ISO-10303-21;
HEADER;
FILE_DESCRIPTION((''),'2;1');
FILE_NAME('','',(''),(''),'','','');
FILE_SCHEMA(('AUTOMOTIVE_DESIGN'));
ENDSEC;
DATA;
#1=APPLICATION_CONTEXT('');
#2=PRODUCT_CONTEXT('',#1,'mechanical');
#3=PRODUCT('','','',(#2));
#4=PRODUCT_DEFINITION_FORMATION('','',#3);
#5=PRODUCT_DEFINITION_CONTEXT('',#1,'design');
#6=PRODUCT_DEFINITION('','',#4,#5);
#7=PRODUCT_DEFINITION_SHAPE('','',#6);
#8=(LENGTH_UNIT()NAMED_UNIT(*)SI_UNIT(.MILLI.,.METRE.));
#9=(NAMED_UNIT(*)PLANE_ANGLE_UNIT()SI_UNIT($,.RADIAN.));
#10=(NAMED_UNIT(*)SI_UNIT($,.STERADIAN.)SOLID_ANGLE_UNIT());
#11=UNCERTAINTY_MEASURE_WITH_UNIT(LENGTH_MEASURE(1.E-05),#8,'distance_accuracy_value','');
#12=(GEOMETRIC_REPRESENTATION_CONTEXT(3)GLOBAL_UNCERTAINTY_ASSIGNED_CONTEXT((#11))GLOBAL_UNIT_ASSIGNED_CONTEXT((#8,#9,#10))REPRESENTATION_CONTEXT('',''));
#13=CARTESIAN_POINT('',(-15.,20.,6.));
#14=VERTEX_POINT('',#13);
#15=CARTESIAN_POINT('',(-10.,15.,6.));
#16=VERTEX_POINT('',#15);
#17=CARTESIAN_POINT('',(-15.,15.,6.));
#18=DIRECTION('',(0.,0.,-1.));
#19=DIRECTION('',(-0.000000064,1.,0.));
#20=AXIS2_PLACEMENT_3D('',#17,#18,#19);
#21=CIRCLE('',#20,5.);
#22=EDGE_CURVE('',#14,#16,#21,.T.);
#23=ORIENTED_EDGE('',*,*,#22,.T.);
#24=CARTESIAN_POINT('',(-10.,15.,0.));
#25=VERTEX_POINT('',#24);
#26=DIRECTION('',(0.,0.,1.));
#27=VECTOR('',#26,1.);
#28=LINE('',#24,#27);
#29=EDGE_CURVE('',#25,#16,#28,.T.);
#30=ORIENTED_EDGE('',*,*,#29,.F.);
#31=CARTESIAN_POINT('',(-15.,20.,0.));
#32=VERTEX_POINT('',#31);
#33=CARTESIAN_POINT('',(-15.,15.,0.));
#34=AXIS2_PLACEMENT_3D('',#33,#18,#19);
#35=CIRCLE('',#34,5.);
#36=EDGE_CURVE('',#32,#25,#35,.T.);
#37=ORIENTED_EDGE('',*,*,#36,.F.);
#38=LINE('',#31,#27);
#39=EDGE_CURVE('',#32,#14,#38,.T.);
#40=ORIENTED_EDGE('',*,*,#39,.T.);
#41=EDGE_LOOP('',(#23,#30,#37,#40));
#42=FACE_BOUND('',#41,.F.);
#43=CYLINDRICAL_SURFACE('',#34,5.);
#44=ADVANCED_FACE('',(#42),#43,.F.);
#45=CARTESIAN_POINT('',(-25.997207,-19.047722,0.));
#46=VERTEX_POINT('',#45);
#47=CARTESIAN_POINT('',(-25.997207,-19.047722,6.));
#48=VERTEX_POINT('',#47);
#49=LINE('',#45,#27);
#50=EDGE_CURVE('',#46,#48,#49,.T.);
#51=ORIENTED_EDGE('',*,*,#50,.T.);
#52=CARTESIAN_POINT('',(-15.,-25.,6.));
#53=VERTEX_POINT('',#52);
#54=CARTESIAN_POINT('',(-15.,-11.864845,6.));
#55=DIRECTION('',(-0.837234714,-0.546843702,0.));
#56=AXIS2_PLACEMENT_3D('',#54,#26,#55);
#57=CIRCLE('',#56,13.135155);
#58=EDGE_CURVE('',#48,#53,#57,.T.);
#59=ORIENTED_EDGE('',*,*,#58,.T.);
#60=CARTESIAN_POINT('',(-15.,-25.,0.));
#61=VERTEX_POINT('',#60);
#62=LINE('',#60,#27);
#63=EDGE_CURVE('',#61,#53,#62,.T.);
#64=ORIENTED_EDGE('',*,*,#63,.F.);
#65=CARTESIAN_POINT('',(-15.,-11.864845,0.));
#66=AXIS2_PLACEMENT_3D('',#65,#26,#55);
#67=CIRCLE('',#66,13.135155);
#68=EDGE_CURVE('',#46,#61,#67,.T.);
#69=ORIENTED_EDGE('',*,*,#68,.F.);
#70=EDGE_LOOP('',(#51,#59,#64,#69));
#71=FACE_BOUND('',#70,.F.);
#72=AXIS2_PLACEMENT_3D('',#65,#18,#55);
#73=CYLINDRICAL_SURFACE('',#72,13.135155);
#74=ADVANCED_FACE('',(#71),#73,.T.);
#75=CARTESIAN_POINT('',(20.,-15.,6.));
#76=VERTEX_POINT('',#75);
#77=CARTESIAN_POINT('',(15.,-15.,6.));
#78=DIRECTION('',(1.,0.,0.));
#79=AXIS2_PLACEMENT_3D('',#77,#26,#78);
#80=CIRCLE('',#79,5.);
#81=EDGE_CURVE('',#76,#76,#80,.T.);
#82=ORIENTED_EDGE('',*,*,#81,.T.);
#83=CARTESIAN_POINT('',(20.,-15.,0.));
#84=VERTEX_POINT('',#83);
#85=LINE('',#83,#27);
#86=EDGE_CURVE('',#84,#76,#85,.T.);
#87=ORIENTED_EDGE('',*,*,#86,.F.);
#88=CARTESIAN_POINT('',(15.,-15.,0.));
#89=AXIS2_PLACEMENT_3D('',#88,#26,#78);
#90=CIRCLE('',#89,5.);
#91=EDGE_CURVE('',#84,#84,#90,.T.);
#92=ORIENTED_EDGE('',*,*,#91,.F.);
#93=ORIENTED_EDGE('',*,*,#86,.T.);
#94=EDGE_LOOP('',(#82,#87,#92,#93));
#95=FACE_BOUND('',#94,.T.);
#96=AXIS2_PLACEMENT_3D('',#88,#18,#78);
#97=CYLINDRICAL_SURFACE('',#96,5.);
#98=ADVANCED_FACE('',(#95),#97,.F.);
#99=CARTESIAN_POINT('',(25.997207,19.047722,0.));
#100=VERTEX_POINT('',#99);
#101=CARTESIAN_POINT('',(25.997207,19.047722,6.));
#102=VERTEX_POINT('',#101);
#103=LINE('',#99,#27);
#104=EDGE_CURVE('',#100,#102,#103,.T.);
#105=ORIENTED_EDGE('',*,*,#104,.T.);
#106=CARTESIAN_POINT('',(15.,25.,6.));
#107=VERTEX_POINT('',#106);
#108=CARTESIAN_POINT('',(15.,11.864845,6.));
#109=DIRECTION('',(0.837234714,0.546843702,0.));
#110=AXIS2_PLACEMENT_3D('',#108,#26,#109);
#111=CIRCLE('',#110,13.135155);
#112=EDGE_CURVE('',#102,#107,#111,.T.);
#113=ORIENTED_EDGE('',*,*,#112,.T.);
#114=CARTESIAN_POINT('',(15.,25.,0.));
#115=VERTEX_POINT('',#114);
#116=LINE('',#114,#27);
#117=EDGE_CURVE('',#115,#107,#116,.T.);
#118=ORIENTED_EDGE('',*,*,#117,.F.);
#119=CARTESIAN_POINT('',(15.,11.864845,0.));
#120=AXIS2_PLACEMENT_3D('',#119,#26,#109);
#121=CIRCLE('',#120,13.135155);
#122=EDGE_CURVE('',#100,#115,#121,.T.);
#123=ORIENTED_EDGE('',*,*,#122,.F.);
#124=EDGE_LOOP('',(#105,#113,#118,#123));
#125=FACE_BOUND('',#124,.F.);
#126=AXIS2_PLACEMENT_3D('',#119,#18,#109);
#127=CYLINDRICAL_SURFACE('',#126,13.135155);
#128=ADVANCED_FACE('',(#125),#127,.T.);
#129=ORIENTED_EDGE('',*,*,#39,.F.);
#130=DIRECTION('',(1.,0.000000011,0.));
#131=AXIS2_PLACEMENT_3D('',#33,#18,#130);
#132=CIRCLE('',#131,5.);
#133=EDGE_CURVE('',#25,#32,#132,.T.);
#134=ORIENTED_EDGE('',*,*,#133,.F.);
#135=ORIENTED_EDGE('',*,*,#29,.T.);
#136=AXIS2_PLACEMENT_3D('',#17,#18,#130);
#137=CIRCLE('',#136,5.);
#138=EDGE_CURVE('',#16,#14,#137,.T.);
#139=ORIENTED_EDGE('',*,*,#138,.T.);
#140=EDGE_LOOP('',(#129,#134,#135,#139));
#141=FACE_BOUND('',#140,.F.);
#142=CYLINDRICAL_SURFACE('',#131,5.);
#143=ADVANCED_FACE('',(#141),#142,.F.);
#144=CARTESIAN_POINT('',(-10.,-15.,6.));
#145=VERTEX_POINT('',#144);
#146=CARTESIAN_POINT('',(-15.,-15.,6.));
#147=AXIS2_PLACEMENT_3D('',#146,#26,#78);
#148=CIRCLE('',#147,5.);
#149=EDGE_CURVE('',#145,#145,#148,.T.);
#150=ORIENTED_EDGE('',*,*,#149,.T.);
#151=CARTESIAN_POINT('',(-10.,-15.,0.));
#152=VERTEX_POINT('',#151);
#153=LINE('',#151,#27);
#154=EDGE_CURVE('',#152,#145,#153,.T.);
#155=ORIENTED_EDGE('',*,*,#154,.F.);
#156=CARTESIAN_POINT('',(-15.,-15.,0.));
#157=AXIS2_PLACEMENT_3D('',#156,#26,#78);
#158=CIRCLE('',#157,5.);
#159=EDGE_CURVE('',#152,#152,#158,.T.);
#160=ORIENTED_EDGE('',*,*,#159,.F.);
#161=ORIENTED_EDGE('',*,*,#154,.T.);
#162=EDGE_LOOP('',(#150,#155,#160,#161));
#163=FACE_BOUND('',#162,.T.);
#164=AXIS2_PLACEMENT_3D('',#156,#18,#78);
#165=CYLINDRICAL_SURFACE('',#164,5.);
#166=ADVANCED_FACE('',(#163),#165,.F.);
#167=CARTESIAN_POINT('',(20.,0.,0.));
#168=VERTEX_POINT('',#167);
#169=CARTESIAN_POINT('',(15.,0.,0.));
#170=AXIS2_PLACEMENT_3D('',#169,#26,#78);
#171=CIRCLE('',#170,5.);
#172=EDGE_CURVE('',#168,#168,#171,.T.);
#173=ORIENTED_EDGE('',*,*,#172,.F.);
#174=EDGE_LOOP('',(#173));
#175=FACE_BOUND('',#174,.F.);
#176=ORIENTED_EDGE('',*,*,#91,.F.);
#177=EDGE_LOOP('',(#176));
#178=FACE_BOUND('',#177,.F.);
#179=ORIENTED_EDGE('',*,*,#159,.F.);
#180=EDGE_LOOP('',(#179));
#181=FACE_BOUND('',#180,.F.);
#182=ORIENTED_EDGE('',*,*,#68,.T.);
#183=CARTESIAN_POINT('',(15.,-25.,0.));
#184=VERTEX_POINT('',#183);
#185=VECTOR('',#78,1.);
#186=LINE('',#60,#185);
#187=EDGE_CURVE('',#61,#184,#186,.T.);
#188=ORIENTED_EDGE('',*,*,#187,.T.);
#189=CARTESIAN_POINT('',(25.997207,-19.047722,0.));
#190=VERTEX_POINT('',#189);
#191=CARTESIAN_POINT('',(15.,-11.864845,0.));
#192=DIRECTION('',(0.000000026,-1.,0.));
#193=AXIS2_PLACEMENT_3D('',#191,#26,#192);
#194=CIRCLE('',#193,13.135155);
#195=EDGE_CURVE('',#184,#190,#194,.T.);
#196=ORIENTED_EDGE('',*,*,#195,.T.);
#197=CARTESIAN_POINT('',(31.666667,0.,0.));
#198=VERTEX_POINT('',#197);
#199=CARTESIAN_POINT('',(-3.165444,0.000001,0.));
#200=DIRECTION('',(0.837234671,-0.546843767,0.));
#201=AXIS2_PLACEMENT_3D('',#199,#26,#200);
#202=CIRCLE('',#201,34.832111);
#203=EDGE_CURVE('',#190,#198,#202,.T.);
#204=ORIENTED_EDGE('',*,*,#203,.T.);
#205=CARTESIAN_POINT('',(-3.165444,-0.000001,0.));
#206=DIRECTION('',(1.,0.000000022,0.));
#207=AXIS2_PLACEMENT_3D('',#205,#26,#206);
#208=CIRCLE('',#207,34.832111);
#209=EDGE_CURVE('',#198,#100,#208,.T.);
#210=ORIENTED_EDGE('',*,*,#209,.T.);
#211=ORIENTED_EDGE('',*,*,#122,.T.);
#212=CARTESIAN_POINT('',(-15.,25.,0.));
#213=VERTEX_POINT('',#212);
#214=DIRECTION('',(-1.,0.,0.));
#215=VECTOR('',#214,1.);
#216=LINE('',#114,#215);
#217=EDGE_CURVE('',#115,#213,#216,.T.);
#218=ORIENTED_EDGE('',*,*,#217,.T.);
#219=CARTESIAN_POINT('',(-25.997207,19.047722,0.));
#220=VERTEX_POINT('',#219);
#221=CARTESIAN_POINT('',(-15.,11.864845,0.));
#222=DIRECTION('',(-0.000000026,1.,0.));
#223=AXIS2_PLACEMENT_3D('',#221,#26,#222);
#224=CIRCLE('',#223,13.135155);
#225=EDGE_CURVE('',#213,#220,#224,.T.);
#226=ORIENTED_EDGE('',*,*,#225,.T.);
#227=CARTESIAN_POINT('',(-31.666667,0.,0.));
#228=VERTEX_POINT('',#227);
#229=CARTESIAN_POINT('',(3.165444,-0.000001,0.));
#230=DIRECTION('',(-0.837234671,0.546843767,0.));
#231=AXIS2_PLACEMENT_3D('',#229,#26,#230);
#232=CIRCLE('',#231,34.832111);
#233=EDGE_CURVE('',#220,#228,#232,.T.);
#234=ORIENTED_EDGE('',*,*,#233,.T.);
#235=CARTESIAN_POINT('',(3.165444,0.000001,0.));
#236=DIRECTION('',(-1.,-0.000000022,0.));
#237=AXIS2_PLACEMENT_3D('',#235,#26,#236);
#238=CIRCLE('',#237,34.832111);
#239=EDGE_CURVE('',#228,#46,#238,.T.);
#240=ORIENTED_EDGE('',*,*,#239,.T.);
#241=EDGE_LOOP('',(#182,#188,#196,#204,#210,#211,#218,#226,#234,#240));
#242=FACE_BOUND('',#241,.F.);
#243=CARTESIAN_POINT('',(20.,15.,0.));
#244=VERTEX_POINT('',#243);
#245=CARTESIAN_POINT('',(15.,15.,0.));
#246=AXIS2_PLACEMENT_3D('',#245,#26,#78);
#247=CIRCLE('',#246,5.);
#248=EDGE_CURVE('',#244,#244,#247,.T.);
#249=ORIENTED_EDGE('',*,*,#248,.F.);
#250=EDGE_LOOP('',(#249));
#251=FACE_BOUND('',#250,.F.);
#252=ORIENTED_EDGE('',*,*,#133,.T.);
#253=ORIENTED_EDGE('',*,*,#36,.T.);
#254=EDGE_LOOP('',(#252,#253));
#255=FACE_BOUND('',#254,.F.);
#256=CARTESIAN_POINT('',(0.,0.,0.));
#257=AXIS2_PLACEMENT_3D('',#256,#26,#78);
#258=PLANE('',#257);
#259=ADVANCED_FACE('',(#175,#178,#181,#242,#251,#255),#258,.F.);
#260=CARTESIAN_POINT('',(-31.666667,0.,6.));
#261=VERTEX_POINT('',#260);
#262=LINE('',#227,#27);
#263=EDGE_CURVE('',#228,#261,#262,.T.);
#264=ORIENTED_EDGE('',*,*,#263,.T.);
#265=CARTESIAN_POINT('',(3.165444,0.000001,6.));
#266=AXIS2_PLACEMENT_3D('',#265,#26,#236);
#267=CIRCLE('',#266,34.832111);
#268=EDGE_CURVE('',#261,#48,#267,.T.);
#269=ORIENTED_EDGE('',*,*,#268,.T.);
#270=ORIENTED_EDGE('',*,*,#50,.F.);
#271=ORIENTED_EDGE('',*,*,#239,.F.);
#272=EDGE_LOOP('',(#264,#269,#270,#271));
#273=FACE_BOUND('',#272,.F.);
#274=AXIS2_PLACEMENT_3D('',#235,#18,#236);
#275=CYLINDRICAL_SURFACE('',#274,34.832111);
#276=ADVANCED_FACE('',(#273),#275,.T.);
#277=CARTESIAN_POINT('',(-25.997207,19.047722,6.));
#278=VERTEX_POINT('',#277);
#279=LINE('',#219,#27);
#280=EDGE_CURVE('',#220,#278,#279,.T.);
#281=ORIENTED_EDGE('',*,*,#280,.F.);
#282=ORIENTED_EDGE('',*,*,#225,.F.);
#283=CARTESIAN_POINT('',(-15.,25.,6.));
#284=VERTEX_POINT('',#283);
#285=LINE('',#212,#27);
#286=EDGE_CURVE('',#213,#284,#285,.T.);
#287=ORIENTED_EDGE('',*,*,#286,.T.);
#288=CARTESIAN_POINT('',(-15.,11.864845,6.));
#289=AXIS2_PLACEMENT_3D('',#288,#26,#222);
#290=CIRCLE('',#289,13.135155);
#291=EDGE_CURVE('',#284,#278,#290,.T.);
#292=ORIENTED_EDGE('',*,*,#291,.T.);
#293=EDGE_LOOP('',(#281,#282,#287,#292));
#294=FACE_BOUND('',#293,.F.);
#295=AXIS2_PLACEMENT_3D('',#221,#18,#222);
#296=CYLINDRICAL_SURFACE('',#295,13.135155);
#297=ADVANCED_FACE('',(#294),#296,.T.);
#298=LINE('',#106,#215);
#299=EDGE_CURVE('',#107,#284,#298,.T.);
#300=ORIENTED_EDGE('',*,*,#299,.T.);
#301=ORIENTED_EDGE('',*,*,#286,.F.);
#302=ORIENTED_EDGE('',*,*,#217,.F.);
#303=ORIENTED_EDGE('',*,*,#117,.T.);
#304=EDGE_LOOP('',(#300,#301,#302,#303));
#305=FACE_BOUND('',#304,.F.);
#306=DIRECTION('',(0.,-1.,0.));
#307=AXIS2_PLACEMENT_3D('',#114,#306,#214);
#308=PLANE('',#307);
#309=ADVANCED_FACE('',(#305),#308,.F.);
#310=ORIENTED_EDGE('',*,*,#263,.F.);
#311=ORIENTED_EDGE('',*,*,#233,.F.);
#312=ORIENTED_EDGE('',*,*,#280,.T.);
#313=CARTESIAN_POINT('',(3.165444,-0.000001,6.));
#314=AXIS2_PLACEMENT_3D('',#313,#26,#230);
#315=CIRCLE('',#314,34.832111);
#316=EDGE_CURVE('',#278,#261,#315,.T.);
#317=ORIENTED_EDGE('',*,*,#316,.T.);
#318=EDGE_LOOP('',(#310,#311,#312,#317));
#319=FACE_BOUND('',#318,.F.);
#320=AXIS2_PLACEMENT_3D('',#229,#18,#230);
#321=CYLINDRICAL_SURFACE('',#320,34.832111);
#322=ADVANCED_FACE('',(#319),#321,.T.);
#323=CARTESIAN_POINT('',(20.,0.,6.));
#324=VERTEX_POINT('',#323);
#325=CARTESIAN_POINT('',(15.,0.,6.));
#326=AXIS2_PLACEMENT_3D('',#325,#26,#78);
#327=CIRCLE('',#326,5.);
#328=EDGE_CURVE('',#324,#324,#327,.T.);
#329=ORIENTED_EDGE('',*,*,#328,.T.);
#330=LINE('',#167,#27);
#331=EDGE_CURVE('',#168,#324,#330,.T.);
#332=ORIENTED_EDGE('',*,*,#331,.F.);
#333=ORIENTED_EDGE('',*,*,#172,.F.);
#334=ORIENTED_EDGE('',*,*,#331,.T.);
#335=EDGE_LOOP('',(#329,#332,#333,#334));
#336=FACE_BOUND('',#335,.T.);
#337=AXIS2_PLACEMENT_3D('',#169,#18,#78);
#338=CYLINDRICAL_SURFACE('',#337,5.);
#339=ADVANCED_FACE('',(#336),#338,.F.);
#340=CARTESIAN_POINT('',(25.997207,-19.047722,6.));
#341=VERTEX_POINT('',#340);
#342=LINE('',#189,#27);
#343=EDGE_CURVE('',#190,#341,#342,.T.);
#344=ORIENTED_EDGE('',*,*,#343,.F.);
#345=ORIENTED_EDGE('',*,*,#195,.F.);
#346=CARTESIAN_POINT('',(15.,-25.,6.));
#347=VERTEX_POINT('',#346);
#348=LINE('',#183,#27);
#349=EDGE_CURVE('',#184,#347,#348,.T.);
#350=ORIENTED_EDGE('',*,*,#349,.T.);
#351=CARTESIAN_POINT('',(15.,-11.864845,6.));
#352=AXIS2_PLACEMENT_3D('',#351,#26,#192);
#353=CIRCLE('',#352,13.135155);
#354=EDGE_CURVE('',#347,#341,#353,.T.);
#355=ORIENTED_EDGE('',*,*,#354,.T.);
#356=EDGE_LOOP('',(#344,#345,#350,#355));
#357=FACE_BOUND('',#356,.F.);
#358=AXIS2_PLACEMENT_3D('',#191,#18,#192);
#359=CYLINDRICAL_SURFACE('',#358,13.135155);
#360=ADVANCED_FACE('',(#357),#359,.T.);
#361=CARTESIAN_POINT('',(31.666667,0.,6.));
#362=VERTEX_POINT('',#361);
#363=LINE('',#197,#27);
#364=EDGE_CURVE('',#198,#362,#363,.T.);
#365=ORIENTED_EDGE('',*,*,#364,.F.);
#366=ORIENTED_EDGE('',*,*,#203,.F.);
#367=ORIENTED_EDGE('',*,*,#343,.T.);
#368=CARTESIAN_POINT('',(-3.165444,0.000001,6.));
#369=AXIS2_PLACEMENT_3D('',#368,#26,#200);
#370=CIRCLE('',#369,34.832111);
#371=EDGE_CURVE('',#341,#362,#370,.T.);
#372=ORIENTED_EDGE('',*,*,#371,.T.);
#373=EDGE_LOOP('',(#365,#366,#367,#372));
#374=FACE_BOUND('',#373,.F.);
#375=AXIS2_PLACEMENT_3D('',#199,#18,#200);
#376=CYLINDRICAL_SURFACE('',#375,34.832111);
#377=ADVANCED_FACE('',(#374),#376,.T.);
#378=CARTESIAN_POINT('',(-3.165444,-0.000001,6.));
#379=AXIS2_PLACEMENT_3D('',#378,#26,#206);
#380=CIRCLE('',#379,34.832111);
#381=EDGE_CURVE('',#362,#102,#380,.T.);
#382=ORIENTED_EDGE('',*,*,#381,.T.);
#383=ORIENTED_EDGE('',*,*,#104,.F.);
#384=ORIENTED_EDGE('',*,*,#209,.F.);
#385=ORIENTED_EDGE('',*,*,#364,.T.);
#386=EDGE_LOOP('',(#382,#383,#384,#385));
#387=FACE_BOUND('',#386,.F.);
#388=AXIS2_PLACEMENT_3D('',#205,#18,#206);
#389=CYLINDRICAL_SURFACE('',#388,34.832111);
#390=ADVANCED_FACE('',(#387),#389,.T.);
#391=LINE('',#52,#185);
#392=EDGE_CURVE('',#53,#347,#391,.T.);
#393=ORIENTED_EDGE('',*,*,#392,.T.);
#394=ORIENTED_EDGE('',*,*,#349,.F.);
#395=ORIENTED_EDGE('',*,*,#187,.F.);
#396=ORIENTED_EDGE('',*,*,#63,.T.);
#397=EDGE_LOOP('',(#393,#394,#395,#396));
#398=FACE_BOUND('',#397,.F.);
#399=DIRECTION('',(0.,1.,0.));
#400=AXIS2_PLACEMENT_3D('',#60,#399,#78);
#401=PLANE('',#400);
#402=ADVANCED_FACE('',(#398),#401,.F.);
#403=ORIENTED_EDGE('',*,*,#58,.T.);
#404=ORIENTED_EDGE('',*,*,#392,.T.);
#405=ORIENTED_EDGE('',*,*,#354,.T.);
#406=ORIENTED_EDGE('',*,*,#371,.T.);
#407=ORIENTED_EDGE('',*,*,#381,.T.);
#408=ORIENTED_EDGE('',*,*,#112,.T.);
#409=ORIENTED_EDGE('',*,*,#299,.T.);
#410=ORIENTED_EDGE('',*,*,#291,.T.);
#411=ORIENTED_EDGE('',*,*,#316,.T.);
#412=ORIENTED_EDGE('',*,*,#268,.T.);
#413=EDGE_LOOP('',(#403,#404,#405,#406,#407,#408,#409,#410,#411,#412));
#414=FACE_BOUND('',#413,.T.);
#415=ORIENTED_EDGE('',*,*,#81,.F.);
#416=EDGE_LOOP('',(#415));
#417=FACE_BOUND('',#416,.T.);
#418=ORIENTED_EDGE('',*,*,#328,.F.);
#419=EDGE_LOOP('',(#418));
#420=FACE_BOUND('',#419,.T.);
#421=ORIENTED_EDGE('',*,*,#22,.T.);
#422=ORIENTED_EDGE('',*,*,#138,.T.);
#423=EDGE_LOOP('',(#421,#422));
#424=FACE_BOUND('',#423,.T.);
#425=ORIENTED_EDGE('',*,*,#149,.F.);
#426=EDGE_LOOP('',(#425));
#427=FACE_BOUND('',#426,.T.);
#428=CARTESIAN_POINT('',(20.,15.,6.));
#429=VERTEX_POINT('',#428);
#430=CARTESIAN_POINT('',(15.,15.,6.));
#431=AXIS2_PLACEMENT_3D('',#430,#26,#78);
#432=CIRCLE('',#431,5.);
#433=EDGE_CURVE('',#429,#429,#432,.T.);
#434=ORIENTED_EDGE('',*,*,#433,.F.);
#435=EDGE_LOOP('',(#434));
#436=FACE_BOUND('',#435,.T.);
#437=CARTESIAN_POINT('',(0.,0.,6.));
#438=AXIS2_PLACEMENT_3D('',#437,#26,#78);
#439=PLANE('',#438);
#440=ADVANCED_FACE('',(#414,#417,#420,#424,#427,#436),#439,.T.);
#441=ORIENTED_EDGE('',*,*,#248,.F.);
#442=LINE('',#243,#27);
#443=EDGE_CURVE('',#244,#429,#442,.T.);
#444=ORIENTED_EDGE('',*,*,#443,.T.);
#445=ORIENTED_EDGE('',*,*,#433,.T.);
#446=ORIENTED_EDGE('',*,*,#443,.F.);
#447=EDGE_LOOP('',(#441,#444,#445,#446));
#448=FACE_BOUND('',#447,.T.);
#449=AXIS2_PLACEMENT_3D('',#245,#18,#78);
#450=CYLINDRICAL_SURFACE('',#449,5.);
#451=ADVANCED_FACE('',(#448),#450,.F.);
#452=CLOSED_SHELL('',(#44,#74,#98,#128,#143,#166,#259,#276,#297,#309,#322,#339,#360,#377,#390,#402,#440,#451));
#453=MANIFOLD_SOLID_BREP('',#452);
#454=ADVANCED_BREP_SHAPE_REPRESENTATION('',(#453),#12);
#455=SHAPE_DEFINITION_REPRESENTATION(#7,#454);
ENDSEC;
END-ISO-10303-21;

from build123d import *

# Parameters (mm, degrees)
F0_R     = 5
F1_DEPTH = 6


with BuildPart() as f1:
    # F0 (on Top) → F1 (new body)
    with BuildSketch(Plane.XY):
        with BuildLine():
            ThreePointArc((25.997207, 19.047722), (21.252363, 23.416479), (15, 25))
            Line((15, 25), (-15, 25))
            ThreePointArc((-15, 25), (-21.252363, 23.416479), (-25.997207, 19.047722))
            ThreePointArc((-25.997207, 19.047722), (-30.219228, 9.936781), (-31.666667, 0))
            ThreePointArc((-31.666667, 0), (-30.219228, -9.936781), (-25.997207, -19.047722))
            ThreePointArc((-25.997207, -19.047722), (-21.252363, -23.416479), (-15, -25))
            Line((-15, -25), (15, -25))
            ThreePointArc((15, -25), (21.252363, -23.416479), (25.997207, -19.047722))
            ThreePointArc((25.997207, -19.047722), (30.219228, -9.936781), (31.666667, 0))
            ThreePointArc((31.666667, 0), (30.219228, 9.936781), (25.997207, 19.047722))
        make_face()
        with Locations((-15, -15)):
            Circle(F0_R, mode=Mode.SUBTRACT)
        with Locations((15, -15)):
            Circle(F0_R, mode=Mode.SUBTRACT)
        with BuildLine():
            ThreePointArc((-10, 15), (-18.535534, 11.464466), (-15, 20))
            ThreePointArc((-15, 20), (-11.464466, 18.535534), (-10, 15))
        make_face(mode=Mode.SUBTRACT)
        with Locations((15, 0)):
            Circle(F0_R, mode=Mode.SUBTRACT)
        with Locations((15, 15)):
            Circle(F0_R, mode=Mode.SUBTRACT)
    extrude(amount=F1_DEPTH)


solid = f1.part
